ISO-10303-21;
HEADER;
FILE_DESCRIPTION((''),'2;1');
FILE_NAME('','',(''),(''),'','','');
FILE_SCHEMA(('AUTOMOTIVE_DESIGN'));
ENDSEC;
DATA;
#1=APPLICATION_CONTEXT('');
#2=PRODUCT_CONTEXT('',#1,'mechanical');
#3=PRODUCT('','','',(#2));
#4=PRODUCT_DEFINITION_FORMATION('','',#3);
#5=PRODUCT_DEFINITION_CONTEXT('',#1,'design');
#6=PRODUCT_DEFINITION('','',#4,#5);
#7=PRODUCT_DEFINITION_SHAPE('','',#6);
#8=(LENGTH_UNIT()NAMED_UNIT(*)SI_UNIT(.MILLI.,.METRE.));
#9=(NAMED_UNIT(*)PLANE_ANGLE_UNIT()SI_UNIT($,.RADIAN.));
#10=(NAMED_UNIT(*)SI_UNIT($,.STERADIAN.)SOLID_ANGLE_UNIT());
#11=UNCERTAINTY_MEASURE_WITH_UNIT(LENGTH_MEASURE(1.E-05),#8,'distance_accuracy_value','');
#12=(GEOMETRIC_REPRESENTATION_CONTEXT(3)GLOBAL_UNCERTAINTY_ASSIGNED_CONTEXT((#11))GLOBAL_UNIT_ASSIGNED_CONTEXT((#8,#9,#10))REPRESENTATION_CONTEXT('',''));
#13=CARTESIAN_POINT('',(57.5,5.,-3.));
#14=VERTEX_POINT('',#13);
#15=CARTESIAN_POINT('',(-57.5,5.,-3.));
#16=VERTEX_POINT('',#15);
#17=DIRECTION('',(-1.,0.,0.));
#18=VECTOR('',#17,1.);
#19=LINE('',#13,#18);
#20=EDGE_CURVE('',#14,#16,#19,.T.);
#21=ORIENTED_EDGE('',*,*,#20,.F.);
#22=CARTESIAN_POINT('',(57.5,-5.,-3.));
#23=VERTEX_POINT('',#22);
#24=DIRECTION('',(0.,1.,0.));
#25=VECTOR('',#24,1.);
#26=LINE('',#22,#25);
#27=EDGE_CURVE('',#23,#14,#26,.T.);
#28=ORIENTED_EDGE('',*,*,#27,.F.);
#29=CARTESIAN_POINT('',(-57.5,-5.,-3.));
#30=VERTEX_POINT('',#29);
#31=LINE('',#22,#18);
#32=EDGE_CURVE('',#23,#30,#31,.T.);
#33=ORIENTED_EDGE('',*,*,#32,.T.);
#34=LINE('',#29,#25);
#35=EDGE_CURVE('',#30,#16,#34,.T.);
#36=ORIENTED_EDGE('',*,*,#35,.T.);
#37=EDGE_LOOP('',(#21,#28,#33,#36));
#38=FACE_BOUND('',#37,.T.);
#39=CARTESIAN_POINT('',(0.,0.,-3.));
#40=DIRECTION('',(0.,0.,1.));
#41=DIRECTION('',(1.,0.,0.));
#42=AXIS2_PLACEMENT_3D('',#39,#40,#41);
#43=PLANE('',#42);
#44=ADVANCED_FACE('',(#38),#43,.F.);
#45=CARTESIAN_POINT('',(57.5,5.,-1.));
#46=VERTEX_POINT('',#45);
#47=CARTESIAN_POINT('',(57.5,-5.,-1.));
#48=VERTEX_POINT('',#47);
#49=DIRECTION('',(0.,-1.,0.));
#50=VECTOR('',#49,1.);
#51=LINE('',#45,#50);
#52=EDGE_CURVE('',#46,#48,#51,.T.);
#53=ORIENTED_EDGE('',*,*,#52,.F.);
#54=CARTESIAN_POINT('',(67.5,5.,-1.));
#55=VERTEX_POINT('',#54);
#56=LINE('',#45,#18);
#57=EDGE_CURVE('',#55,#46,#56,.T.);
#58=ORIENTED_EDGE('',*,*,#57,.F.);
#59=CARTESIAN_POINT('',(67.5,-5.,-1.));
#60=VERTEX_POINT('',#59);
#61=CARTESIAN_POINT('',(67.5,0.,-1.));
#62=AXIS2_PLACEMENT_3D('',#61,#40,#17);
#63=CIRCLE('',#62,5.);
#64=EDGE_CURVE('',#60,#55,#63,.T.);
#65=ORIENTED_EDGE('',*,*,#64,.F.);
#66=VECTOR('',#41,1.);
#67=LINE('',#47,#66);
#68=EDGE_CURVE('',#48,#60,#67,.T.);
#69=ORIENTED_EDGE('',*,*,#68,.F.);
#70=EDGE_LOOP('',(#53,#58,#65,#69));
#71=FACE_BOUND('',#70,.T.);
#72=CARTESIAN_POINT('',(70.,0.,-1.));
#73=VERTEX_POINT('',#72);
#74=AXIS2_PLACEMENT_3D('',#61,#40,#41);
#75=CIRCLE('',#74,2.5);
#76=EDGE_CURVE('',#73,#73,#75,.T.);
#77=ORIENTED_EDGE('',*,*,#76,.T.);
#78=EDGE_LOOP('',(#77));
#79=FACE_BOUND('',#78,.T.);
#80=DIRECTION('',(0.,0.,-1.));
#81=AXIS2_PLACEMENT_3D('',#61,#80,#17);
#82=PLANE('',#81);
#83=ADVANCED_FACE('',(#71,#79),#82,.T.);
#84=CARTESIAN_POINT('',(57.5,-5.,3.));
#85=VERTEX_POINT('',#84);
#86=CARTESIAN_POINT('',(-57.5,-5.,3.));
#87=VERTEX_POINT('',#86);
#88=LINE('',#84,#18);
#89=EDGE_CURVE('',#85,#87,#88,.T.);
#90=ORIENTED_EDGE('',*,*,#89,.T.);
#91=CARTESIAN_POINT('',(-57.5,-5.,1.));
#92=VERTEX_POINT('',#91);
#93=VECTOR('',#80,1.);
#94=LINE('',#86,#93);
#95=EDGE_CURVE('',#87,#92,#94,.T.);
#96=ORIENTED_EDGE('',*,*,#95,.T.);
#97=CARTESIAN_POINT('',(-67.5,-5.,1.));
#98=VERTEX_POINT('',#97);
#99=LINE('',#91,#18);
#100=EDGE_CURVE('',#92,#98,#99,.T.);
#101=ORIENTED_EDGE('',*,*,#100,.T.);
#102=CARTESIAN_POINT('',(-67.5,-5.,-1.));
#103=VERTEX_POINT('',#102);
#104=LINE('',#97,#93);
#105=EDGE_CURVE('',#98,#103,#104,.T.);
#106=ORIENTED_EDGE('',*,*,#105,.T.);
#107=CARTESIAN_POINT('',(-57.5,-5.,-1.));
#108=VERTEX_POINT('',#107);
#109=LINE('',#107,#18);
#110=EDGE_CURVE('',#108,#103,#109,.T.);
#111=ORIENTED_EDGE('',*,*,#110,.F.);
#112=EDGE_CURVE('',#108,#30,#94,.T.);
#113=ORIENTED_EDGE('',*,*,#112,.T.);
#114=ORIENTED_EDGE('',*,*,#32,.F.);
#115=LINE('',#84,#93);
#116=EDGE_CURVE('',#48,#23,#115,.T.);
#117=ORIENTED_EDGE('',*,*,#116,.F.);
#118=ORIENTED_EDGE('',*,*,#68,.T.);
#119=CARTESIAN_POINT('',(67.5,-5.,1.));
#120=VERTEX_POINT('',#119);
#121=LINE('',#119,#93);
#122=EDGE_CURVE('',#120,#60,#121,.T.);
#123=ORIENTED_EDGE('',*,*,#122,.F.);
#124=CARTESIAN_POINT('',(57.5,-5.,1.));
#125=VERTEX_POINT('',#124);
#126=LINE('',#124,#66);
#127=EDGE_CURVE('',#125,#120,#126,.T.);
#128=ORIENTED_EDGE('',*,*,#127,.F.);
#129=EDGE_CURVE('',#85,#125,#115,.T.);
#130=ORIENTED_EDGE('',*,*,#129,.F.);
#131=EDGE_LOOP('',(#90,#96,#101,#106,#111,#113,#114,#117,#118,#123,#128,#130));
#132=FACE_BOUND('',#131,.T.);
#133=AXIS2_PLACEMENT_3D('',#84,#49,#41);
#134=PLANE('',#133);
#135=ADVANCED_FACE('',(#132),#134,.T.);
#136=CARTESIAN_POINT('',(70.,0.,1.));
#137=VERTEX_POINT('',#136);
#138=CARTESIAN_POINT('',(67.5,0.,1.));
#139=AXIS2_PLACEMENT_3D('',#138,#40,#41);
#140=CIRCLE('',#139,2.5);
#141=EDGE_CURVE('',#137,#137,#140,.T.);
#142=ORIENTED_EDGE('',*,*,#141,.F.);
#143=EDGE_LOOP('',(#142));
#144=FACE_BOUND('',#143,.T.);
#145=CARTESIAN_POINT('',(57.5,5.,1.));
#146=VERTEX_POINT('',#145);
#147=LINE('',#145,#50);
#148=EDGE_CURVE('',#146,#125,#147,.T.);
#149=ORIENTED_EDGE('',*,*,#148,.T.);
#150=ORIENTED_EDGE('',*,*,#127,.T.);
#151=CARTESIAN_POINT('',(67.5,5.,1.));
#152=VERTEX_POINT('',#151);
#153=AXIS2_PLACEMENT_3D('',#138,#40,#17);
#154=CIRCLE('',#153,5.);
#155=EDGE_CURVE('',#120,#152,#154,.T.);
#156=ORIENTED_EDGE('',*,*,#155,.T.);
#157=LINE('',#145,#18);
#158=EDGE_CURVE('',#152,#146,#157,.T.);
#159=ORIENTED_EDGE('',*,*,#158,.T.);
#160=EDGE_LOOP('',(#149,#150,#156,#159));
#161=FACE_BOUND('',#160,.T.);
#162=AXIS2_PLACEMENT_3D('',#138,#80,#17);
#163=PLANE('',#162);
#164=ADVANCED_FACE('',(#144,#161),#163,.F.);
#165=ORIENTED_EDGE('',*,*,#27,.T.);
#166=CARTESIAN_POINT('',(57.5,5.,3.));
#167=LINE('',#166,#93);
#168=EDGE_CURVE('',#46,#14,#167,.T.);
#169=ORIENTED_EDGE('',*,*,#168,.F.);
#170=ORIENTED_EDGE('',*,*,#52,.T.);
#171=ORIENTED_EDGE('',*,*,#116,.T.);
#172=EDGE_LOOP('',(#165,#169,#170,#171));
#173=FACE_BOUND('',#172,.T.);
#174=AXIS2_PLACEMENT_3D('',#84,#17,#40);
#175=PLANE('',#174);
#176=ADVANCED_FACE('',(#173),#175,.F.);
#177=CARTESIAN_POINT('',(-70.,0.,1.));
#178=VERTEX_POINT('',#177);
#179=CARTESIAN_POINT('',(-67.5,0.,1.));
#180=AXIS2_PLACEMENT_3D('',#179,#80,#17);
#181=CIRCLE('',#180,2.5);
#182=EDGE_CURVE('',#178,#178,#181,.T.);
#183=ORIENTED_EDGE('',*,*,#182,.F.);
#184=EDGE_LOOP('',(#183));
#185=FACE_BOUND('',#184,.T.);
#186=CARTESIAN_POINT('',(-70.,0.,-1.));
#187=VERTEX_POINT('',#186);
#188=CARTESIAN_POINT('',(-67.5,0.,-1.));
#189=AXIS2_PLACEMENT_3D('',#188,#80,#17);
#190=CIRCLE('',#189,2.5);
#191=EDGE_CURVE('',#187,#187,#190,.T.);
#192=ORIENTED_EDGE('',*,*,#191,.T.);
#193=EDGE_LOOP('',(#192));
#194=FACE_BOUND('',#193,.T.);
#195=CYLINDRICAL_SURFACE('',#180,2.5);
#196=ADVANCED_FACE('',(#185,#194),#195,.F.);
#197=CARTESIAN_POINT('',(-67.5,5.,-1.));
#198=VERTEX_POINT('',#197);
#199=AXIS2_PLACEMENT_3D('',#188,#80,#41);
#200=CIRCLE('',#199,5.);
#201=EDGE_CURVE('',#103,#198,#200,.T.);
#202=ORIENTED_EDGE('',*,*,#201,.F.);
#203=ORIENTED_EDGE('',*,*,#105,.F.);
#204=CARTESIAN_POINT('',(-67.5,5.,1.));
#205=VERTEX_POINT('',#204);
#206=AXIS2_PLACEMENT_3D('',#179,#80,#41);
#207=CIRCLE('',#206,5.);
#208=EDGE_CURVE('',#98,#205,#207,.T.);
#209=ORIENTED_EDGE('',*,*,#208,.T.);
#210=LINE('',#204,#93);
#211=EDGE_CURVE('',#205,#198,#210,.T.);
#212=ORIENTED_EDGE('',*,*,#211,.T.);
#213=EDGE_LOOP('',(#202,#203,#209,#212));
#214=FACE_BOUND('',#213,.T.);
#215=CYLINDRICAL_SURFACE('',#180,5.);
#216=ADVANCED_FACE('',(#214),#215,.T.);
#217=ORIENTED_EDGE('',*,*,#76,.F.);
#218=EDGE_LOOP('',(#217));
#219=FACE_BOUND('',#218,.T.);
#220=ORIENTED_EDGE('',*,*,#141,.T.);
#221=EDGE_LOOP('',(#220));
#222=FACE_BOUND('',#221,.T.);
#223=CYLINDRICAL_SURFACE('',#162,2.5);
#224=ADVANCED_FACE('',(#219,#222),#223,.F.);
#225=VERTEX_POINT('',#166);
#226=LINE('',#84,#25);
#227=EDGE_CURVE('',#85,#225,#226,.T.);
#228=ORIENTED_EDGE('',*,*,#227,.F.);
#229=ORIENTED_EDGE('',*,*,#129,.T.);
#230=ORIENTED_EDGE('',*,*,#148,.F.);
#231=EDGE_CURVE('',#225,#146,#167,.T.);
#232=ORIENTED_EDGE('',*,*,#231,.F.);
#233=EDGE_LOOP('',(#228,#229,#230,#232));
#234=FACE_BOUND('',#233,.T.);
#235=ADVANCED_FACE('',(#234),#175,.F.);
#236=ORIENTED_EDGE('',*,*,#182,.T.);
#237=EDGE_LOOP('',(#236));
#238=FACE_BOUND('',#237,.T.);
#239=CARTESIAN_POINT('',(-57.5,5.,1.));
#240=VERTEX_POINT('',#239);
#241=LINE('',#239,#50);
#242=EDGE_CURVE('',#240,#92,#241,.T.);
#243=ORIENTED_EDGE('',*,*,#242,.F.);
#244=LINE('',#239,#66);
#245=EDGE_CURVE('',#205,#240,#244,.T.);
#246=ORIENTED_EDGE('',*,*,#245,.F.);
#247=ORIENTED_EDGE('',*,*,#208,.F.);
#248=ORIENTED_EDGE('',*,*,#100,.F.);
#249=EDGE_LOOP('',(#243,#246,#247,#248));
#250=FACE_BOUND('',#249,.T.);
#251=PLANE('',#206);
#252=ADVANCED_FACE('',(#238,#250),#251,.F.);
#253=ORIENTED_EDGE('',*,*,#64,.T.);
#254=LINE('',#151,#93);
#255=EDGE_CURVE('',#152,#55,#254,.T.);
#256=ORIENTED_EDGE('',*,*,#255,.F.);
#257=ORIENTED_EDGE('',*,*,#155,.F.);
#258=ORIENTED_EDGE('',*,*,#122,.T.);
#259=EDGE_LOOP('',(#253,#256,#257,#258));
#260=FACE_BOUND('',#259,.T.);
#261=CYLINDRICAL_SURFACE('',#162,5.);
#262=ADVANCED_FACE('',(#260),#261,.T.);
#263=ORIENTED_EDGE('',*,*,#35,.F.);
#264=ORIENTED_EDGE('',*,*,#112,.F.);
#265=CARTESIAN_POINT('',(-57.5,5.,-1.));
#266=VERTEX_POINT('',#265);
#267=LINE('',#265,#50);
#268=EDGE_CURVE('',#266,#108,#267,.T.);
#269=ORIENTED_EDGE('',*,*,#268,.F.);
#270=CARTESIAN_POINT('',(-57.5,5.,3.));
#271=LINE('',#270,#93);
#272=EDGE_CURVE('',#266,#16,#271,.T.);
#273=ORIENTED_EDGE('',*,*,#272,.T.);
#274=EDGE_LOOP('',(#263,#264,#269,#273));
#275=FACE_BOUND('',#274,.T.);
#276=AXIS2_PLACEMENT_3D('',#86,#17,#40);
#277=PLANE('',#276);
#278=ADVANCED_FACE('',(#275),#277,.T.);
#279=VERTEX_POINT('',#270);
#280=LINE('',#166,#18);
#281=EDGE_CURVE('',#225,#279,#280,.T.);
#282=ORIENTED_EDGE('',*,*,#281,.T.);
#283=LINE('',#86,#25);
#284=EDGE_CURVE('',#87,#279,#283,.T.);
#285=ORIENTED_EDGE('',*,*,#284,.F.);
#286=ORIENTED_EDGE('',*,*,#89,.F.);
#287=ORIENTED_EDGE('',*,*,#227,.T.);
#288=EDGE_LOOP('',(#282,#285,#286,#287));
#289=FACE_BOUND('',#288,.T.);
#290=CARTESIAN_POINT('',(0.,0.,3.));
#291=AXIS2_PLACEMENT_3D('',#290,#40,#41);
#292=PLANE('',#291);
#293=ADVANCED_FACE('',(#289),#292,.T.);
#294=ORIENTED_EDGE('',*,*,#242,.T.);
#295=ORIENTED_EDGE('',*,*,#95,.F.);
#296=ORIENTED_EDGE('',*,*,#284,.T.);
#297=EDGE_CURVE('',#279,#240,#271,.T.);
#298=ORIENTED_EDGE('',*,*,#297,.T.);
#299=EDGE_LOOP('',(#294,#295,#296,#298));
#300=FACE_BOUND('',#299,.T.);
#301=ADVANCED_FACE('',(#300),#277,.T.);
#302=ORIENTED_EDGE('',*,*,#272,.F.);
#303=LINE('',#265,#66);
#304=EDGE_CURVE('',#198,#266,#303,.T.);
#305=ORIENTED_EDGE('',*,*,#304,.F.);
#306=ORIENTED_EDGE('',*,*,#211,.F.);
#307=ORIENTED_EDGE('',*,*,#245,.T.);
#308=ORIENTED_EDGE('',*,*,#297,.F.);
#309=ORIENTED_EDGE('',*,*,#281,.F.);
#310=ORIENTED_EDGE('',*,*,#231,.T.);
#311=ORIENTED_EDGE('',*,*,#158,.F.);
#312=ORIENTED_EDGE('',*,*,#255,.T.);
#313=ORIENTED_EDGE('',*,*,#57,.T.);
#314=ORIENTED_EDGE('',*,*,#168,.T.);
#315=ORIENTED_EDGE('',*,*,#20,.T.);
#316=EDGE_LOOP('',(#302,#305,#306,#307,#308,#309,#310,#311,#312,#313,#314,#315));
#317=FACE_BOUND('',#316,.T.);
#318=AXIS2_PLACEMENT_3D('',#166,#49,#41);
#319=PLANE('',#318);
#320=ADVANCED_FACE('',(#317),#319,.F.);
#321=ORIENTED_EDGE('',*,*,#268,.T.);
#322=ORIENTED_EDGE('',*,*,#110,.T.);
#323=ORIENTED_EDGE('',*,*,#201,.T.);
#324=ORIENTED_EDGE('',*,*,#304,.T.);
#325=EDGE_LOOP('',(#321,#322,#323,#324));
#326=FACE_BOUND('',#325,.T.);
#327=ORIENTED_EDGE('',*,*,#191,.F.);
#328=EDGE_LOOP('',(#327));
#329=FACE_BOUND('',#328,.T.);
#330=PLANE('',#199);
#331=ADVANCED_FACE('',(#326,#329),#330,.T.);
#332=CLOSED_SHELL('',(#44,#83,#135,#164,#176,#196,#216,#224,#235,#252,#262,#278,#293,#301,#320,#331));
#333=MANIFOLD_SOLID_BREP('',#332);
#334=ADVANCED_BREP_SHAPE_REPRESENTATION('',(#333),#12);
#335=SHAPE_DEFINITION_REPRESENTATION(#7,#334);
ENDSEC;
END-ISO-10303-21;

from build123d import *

# Parameters (mm, degrees)
SKETCH19_W          = 115
SKETCH19_H          = 10
BOSS_EXTRUDE4_DEPTH = 3
SKETCH22_R          = 2.5
BOSS_EXTRUDE5_DEPTH = 1


with BuildPart() as part:
    # Sketch19 → Boss-Extrude4 (new body, symmetric)
    with BuildSketch(Plane.XY):
        Rectangle(SKETCH19_W, SKETCH19_H)
    boss_extrude4 = extrude(amount=BOSS_EXTRUDE4_DEPTH, both=True)

    # Sketch22 → Boss-Extrude5 (add, symmetric)
    with BuildSketch(Plane.XY):
        with BuildLine():
            Line((57.5, 5), (67.5, 5))
            ThreePointArc((67.5, 5), (72.5, 0), (67.5, -5))
            Line((67.5, -5), (57.5, -5))
            Line((57.5, -5), (57.5, 5))
        make_face()
        with Locations((67.5, 0)):
            Circle(SKETCH22_R, mode=Mode.SUBTRACT)
    boss_extrude5 = extrude(amount=BOSS_EXTRUDE5_DEPTH, both=True)

    # Mirror1: Boss-Extrude4, Boss-Extrude5 across plane
    add(boss_extrude4.mirror(Plane(origin=(0, 0, 0), x_dir=(0, 0, 1), z_dir=(1, 0, 0))))
    add(boss_extrude5.mirror(Plane(origin=(0, 0, 0), x_dir=(0, 0, 1), z_dir=(1, 0, 0))))


solid = part.part
